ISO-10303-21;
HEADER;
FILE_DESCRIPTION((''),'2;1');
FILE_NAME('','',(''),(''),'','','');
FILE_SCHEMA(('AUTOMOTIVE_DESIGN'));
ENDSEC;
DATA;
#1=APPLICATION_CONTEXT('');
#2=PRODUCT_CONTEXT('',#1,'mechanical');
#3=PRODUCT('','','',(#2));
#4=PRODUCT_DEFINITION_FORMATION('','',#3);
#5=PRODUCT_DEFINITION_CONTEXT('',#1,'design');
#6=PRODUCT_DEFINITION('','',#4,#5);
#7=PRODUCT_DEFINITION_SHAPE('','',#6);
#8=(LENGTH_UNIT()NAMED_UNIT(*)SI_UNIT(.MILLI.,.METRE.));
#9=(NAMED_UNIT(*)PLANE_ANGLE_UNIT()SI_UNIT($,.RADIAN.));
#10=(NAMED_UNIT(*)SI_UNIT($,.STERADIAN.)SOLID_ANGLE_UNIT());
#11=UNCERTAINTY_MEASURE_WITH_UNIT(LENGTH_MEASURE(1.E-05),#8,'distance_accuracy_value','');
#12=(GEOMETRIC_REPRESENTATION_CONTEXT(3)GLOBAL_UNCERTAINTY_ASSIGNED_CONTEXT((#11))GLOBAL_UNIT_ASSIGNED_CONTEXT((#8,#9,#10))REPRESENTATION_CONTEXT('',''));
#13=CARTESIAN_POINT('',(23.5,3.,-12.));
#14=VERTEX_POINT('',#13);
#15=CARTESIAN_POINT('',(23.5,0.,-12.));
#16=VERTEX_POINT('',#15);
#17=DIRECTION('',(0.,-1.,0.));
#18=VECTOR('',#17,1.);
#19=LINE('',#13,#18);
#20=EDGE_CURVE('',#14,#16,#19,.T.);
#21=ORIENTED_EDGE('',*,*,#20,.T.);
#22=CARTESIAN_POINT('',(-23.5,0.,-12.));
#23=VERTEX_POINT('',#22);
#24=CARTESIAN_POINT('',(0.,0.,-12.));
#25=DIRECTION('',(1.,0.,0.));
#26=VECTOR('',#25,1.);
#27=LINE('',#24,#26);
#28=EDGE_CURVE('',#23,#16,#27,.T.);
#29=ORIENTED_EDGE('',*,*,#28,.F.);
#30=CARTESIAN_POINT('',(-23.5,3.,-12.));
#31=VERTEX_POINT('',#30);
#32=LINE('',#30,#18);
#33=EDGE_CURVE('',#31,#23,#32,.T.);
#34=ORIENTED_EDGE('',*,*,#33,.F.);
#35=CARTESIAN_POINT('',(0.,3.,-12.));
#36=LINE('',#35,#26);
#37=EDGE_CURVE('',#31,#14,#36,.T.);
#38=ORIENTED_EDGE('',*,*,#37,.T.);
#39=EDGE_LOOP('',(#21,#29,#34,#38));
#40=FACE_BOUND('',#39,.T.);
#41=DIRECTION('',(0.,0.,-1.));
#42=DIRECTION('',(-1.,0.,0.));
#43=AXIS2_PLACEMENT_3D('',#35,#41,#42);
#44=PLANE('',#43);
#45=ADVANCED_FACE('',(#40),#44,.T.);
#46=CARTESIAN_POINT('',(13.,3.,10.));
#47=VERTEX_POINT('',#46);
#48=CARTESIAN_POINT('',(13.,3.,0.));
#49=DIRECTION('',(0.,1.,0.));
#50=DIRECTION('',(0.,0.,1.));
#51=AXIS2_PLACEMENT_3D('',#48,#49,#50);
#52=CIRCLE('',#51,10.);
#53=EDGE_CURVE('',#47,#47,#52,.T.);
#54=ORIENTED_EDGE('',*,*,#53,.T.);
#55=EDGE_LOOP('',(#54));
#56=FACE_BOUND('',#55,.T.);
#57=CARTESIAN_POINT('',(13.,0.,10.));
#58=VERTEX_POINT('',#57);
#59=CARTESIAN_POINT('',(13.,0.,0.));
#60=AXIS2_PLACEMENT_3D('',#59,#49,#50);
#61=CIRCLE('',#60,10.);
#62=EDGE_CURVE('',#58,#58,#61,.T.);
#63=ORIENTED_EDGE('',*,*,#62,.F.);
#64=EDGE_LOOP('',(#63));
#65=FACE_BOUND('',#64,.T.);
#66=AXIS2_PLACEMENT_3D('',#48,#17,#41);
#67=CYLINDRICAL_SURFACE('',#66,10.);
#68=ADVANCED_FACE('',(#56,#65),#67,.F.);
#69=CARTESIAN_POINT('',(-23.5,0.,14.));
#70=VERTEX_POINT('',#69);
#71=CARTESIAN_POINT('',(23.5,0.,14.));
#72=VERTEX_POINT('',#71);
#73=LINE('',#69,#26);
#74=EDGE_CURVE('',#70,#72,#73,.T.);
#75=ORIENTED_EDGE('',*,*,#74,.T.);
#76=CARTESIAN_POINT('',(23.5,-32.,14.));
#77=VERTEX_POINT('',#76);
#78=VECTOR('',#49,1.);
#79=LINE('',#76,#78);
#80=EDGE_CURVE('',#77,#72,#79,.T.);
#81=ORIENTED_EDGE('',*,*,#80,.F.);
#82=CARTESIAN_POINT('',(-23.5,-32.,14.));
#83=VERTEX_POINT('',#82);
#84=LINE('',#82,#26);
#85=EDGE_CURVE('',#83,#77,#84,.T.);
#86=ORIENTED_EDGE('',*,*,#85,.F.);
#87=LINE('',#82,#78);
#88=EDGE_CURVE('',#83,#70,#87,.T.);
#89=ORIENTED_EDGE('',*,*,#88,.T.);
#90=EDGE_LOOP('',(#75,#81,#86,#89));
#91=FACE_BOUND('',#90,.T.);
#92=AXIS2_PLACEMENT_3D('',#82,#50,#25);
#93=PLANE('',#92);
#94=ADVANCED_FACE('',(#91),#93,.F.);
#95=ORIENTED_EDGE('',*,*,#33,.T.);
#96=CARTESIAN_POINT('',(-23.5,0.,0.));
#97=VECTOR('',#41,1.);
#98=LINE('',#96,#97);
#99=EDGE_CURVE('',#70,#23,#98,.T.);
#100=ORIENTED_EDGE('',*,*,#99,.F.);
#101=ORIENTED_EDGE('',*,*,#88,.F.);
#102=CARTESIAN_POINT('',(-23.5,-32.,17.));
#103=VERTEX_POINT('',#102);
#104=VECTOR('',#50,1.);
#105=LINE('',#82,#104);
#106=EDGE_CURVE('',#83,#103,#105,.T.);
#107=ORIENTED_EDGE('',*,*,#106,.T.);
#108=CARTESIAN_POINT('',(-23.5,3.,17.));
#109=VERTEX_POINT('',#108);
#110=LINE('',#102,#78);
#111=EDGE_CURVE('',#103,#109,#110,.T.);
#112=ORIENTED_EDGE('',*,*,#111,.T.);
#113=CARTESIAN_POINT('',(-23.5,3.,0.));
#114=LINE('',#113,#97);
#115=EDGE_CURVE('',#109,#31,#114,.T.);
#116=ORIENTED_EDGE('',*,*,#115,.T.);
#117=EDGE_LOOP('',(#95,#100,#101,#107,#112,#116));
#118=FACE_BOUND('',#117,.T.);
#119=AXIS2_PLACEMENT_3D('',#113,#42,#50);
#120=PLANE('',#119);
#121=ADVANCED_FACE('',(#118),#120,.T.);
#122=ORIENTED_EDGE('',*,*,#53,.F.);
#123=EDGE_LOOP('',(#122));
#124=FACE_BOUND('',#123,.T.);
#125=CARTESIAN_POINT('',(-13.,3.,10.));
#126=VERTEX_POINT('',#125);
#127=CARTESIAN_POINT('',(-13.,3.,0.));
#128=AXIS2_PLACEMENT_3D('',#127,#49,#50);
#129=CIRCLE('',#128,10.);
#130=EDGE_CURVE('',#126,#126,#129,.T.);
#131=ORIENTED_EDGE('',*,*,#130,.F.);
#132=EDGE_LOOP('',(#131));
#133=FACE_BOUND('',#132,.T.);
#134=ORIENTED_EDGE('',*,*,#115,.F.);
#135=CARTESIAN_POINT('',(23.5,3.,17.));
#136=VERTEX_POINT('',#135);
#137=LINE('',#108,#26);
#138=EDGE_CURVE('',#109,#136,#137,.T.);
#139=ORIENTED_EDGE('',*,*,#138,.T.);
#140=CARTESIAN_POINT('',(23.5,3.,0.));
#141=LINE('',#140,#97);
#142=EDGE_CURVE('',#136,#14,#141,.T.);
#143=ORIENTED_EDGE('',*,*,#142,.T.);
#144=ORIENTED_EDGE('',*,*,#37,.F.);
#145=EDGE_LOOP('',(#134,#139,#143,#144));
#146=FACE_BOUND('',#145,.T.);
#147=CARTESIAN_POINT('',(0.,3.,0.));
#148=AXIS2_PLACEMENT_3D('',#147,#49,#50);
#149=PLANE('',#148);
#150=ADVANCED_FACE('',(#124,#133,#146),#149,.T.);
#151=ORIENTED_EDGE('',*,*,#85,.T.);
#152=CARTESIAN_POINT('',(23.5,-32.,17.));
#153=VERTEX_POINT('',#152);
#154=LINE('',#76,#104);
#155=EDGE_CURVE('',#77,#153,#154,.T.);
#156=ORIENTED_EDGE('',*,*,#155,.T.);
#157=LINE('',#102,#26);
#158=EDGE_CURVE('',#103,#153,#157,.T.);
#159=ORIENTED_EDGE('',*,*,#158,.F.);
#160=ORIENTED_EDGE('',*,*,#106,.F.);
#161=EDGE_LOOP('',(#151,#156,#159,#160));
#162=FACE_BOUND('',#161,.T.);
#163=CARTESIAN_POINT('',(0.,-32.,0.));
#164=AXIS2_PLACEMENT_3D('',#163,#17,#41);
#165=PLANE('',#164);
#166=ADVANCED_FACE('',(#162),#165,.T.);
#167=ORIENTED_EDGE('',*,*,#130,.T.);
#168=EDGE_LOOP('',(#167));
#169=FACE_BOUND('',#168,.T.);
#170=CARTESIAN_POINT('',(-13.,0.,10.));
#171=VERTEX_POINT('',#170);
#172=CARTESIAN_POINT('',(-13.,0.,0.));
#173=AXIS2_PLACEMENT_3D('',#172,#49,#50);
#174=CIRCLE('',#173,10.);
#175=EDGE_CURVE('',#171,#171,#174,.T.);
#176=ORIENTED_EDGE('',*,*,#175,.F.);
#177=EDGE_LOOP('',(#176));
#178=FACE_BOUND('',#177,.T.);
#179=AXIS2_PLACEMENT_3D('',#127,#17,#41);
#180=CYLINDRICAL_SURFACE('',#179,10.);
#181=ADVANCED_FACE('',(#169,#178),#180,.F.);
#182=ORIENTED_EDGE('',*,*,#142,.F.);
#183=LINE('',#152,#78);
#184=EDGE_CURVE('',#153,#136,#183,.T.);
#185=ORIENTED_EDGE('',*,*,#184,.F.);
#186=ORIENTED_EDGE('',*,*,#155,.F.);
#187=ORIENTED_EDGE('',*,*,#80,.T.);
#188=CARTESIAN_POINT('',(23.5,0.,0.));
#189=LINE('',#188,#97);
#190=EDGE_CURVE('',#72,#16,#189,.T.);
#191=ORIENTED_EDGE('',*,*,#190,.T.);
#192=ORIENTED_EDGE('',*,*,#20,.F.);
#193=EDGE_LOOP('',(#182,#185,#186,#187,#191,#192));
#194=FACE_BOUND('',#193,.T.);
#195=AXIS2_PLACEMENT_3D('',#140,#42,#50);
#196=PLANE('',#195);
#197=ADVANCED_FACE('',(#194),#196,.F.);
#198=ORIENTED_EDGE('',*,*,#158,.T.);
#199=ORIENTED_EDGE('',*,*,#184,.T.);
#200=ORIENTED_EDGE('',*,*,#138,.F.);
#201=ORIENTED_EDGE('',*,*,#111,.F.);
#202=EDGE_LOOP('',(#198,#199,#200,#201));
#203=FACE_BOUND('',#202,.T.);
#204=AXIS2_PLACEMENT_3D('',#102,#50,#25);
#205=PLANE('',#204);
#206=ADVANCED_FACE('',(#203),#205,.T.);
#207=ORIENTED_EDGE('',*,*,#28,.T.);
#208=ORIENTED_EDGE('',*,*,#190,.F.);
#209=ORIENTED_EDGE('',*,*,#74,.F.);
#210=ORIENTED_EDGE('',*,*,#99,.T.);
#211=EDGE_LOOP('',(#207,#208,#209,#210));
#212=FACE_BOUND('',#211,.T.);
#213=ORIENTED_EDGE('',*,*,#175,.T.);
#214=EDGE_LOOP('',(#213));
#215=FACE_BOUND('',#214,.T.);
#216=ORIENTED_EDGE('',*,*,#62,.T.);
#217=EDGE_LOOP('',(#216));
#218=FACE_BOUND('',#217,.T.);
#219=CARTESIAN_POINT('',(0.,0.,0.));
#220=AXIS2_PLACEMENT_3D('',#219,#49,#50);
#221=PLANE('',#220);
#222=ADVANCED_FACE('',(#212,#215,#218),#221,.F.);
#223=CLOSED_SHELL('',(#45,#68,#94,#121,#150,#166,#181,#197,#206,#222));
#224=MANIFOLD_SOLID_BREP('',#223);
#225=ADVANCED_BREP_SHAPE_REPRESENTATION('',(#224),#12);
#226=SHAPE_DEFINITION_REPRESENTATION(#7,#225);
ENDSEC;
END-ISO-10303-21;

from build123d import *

# Parameters (mm, degrees)
SKETCH1_W           = 47
SKETCH1_H           = 24
SKETCH1_R           = 10
BOSS_EXTRUDE1_DEPTH = 3
SKETCH2_W           = 47
SKETCH2_H           = 2
BOSS_EXTRUDE2_DEPTH = 3
SKETCH3_W           = 47
SKETCH3_H           = 3
BOSS_EXTRUDE6_DEPTH = 35


with BuildPart() as part:
    # Sketch1 → Boss-Extrude1 (new body)
    with BuildSketch(Plane(origin=(0, 0, 0), x_dir=(1, 0, 0), z_dir=(0, 1, 0))):
        Rectangle(SKETCH1_W, SKETCH1_H)
        with Locations((-13, 0)):
            Circle(SKETCH1_R, mode=Mode.SUBTRACT)
        with Locations((13, 0)):
            Circle(SKETCH1_R, mode=Mode.SUBTRACT)
    extrude(amount=BOSS_EXTRUDE1_DEPTH)

    # Sketch2 → Boss-Extrude2 (add)
    with BuildSketch(Plane(origin=(0, 3, 0), x_dir=(1, 0, 0), z_dir=(0, 1, 0))):
        with Locations((0, -13)):
            Rectangle(SKETCH2_W, SKETCH2_H)
    extrude(amount=-BOSS_EXTRUDE2_DEPTH)

    # Sketch3 → Boss-Extrude6 (add)
    with BuildSketch(Plane(origin=(0, 3, 0), x_dir=(1, 0, 0), z_dir=(0, 1, 0))):
        with Locations((0, -15.5)):
            Rectangle(SKETCH3_W, SKETCH3_H)
    extrude(amount=-BOSS_EXTRUDE6_DEPTH)


solid = part.part
